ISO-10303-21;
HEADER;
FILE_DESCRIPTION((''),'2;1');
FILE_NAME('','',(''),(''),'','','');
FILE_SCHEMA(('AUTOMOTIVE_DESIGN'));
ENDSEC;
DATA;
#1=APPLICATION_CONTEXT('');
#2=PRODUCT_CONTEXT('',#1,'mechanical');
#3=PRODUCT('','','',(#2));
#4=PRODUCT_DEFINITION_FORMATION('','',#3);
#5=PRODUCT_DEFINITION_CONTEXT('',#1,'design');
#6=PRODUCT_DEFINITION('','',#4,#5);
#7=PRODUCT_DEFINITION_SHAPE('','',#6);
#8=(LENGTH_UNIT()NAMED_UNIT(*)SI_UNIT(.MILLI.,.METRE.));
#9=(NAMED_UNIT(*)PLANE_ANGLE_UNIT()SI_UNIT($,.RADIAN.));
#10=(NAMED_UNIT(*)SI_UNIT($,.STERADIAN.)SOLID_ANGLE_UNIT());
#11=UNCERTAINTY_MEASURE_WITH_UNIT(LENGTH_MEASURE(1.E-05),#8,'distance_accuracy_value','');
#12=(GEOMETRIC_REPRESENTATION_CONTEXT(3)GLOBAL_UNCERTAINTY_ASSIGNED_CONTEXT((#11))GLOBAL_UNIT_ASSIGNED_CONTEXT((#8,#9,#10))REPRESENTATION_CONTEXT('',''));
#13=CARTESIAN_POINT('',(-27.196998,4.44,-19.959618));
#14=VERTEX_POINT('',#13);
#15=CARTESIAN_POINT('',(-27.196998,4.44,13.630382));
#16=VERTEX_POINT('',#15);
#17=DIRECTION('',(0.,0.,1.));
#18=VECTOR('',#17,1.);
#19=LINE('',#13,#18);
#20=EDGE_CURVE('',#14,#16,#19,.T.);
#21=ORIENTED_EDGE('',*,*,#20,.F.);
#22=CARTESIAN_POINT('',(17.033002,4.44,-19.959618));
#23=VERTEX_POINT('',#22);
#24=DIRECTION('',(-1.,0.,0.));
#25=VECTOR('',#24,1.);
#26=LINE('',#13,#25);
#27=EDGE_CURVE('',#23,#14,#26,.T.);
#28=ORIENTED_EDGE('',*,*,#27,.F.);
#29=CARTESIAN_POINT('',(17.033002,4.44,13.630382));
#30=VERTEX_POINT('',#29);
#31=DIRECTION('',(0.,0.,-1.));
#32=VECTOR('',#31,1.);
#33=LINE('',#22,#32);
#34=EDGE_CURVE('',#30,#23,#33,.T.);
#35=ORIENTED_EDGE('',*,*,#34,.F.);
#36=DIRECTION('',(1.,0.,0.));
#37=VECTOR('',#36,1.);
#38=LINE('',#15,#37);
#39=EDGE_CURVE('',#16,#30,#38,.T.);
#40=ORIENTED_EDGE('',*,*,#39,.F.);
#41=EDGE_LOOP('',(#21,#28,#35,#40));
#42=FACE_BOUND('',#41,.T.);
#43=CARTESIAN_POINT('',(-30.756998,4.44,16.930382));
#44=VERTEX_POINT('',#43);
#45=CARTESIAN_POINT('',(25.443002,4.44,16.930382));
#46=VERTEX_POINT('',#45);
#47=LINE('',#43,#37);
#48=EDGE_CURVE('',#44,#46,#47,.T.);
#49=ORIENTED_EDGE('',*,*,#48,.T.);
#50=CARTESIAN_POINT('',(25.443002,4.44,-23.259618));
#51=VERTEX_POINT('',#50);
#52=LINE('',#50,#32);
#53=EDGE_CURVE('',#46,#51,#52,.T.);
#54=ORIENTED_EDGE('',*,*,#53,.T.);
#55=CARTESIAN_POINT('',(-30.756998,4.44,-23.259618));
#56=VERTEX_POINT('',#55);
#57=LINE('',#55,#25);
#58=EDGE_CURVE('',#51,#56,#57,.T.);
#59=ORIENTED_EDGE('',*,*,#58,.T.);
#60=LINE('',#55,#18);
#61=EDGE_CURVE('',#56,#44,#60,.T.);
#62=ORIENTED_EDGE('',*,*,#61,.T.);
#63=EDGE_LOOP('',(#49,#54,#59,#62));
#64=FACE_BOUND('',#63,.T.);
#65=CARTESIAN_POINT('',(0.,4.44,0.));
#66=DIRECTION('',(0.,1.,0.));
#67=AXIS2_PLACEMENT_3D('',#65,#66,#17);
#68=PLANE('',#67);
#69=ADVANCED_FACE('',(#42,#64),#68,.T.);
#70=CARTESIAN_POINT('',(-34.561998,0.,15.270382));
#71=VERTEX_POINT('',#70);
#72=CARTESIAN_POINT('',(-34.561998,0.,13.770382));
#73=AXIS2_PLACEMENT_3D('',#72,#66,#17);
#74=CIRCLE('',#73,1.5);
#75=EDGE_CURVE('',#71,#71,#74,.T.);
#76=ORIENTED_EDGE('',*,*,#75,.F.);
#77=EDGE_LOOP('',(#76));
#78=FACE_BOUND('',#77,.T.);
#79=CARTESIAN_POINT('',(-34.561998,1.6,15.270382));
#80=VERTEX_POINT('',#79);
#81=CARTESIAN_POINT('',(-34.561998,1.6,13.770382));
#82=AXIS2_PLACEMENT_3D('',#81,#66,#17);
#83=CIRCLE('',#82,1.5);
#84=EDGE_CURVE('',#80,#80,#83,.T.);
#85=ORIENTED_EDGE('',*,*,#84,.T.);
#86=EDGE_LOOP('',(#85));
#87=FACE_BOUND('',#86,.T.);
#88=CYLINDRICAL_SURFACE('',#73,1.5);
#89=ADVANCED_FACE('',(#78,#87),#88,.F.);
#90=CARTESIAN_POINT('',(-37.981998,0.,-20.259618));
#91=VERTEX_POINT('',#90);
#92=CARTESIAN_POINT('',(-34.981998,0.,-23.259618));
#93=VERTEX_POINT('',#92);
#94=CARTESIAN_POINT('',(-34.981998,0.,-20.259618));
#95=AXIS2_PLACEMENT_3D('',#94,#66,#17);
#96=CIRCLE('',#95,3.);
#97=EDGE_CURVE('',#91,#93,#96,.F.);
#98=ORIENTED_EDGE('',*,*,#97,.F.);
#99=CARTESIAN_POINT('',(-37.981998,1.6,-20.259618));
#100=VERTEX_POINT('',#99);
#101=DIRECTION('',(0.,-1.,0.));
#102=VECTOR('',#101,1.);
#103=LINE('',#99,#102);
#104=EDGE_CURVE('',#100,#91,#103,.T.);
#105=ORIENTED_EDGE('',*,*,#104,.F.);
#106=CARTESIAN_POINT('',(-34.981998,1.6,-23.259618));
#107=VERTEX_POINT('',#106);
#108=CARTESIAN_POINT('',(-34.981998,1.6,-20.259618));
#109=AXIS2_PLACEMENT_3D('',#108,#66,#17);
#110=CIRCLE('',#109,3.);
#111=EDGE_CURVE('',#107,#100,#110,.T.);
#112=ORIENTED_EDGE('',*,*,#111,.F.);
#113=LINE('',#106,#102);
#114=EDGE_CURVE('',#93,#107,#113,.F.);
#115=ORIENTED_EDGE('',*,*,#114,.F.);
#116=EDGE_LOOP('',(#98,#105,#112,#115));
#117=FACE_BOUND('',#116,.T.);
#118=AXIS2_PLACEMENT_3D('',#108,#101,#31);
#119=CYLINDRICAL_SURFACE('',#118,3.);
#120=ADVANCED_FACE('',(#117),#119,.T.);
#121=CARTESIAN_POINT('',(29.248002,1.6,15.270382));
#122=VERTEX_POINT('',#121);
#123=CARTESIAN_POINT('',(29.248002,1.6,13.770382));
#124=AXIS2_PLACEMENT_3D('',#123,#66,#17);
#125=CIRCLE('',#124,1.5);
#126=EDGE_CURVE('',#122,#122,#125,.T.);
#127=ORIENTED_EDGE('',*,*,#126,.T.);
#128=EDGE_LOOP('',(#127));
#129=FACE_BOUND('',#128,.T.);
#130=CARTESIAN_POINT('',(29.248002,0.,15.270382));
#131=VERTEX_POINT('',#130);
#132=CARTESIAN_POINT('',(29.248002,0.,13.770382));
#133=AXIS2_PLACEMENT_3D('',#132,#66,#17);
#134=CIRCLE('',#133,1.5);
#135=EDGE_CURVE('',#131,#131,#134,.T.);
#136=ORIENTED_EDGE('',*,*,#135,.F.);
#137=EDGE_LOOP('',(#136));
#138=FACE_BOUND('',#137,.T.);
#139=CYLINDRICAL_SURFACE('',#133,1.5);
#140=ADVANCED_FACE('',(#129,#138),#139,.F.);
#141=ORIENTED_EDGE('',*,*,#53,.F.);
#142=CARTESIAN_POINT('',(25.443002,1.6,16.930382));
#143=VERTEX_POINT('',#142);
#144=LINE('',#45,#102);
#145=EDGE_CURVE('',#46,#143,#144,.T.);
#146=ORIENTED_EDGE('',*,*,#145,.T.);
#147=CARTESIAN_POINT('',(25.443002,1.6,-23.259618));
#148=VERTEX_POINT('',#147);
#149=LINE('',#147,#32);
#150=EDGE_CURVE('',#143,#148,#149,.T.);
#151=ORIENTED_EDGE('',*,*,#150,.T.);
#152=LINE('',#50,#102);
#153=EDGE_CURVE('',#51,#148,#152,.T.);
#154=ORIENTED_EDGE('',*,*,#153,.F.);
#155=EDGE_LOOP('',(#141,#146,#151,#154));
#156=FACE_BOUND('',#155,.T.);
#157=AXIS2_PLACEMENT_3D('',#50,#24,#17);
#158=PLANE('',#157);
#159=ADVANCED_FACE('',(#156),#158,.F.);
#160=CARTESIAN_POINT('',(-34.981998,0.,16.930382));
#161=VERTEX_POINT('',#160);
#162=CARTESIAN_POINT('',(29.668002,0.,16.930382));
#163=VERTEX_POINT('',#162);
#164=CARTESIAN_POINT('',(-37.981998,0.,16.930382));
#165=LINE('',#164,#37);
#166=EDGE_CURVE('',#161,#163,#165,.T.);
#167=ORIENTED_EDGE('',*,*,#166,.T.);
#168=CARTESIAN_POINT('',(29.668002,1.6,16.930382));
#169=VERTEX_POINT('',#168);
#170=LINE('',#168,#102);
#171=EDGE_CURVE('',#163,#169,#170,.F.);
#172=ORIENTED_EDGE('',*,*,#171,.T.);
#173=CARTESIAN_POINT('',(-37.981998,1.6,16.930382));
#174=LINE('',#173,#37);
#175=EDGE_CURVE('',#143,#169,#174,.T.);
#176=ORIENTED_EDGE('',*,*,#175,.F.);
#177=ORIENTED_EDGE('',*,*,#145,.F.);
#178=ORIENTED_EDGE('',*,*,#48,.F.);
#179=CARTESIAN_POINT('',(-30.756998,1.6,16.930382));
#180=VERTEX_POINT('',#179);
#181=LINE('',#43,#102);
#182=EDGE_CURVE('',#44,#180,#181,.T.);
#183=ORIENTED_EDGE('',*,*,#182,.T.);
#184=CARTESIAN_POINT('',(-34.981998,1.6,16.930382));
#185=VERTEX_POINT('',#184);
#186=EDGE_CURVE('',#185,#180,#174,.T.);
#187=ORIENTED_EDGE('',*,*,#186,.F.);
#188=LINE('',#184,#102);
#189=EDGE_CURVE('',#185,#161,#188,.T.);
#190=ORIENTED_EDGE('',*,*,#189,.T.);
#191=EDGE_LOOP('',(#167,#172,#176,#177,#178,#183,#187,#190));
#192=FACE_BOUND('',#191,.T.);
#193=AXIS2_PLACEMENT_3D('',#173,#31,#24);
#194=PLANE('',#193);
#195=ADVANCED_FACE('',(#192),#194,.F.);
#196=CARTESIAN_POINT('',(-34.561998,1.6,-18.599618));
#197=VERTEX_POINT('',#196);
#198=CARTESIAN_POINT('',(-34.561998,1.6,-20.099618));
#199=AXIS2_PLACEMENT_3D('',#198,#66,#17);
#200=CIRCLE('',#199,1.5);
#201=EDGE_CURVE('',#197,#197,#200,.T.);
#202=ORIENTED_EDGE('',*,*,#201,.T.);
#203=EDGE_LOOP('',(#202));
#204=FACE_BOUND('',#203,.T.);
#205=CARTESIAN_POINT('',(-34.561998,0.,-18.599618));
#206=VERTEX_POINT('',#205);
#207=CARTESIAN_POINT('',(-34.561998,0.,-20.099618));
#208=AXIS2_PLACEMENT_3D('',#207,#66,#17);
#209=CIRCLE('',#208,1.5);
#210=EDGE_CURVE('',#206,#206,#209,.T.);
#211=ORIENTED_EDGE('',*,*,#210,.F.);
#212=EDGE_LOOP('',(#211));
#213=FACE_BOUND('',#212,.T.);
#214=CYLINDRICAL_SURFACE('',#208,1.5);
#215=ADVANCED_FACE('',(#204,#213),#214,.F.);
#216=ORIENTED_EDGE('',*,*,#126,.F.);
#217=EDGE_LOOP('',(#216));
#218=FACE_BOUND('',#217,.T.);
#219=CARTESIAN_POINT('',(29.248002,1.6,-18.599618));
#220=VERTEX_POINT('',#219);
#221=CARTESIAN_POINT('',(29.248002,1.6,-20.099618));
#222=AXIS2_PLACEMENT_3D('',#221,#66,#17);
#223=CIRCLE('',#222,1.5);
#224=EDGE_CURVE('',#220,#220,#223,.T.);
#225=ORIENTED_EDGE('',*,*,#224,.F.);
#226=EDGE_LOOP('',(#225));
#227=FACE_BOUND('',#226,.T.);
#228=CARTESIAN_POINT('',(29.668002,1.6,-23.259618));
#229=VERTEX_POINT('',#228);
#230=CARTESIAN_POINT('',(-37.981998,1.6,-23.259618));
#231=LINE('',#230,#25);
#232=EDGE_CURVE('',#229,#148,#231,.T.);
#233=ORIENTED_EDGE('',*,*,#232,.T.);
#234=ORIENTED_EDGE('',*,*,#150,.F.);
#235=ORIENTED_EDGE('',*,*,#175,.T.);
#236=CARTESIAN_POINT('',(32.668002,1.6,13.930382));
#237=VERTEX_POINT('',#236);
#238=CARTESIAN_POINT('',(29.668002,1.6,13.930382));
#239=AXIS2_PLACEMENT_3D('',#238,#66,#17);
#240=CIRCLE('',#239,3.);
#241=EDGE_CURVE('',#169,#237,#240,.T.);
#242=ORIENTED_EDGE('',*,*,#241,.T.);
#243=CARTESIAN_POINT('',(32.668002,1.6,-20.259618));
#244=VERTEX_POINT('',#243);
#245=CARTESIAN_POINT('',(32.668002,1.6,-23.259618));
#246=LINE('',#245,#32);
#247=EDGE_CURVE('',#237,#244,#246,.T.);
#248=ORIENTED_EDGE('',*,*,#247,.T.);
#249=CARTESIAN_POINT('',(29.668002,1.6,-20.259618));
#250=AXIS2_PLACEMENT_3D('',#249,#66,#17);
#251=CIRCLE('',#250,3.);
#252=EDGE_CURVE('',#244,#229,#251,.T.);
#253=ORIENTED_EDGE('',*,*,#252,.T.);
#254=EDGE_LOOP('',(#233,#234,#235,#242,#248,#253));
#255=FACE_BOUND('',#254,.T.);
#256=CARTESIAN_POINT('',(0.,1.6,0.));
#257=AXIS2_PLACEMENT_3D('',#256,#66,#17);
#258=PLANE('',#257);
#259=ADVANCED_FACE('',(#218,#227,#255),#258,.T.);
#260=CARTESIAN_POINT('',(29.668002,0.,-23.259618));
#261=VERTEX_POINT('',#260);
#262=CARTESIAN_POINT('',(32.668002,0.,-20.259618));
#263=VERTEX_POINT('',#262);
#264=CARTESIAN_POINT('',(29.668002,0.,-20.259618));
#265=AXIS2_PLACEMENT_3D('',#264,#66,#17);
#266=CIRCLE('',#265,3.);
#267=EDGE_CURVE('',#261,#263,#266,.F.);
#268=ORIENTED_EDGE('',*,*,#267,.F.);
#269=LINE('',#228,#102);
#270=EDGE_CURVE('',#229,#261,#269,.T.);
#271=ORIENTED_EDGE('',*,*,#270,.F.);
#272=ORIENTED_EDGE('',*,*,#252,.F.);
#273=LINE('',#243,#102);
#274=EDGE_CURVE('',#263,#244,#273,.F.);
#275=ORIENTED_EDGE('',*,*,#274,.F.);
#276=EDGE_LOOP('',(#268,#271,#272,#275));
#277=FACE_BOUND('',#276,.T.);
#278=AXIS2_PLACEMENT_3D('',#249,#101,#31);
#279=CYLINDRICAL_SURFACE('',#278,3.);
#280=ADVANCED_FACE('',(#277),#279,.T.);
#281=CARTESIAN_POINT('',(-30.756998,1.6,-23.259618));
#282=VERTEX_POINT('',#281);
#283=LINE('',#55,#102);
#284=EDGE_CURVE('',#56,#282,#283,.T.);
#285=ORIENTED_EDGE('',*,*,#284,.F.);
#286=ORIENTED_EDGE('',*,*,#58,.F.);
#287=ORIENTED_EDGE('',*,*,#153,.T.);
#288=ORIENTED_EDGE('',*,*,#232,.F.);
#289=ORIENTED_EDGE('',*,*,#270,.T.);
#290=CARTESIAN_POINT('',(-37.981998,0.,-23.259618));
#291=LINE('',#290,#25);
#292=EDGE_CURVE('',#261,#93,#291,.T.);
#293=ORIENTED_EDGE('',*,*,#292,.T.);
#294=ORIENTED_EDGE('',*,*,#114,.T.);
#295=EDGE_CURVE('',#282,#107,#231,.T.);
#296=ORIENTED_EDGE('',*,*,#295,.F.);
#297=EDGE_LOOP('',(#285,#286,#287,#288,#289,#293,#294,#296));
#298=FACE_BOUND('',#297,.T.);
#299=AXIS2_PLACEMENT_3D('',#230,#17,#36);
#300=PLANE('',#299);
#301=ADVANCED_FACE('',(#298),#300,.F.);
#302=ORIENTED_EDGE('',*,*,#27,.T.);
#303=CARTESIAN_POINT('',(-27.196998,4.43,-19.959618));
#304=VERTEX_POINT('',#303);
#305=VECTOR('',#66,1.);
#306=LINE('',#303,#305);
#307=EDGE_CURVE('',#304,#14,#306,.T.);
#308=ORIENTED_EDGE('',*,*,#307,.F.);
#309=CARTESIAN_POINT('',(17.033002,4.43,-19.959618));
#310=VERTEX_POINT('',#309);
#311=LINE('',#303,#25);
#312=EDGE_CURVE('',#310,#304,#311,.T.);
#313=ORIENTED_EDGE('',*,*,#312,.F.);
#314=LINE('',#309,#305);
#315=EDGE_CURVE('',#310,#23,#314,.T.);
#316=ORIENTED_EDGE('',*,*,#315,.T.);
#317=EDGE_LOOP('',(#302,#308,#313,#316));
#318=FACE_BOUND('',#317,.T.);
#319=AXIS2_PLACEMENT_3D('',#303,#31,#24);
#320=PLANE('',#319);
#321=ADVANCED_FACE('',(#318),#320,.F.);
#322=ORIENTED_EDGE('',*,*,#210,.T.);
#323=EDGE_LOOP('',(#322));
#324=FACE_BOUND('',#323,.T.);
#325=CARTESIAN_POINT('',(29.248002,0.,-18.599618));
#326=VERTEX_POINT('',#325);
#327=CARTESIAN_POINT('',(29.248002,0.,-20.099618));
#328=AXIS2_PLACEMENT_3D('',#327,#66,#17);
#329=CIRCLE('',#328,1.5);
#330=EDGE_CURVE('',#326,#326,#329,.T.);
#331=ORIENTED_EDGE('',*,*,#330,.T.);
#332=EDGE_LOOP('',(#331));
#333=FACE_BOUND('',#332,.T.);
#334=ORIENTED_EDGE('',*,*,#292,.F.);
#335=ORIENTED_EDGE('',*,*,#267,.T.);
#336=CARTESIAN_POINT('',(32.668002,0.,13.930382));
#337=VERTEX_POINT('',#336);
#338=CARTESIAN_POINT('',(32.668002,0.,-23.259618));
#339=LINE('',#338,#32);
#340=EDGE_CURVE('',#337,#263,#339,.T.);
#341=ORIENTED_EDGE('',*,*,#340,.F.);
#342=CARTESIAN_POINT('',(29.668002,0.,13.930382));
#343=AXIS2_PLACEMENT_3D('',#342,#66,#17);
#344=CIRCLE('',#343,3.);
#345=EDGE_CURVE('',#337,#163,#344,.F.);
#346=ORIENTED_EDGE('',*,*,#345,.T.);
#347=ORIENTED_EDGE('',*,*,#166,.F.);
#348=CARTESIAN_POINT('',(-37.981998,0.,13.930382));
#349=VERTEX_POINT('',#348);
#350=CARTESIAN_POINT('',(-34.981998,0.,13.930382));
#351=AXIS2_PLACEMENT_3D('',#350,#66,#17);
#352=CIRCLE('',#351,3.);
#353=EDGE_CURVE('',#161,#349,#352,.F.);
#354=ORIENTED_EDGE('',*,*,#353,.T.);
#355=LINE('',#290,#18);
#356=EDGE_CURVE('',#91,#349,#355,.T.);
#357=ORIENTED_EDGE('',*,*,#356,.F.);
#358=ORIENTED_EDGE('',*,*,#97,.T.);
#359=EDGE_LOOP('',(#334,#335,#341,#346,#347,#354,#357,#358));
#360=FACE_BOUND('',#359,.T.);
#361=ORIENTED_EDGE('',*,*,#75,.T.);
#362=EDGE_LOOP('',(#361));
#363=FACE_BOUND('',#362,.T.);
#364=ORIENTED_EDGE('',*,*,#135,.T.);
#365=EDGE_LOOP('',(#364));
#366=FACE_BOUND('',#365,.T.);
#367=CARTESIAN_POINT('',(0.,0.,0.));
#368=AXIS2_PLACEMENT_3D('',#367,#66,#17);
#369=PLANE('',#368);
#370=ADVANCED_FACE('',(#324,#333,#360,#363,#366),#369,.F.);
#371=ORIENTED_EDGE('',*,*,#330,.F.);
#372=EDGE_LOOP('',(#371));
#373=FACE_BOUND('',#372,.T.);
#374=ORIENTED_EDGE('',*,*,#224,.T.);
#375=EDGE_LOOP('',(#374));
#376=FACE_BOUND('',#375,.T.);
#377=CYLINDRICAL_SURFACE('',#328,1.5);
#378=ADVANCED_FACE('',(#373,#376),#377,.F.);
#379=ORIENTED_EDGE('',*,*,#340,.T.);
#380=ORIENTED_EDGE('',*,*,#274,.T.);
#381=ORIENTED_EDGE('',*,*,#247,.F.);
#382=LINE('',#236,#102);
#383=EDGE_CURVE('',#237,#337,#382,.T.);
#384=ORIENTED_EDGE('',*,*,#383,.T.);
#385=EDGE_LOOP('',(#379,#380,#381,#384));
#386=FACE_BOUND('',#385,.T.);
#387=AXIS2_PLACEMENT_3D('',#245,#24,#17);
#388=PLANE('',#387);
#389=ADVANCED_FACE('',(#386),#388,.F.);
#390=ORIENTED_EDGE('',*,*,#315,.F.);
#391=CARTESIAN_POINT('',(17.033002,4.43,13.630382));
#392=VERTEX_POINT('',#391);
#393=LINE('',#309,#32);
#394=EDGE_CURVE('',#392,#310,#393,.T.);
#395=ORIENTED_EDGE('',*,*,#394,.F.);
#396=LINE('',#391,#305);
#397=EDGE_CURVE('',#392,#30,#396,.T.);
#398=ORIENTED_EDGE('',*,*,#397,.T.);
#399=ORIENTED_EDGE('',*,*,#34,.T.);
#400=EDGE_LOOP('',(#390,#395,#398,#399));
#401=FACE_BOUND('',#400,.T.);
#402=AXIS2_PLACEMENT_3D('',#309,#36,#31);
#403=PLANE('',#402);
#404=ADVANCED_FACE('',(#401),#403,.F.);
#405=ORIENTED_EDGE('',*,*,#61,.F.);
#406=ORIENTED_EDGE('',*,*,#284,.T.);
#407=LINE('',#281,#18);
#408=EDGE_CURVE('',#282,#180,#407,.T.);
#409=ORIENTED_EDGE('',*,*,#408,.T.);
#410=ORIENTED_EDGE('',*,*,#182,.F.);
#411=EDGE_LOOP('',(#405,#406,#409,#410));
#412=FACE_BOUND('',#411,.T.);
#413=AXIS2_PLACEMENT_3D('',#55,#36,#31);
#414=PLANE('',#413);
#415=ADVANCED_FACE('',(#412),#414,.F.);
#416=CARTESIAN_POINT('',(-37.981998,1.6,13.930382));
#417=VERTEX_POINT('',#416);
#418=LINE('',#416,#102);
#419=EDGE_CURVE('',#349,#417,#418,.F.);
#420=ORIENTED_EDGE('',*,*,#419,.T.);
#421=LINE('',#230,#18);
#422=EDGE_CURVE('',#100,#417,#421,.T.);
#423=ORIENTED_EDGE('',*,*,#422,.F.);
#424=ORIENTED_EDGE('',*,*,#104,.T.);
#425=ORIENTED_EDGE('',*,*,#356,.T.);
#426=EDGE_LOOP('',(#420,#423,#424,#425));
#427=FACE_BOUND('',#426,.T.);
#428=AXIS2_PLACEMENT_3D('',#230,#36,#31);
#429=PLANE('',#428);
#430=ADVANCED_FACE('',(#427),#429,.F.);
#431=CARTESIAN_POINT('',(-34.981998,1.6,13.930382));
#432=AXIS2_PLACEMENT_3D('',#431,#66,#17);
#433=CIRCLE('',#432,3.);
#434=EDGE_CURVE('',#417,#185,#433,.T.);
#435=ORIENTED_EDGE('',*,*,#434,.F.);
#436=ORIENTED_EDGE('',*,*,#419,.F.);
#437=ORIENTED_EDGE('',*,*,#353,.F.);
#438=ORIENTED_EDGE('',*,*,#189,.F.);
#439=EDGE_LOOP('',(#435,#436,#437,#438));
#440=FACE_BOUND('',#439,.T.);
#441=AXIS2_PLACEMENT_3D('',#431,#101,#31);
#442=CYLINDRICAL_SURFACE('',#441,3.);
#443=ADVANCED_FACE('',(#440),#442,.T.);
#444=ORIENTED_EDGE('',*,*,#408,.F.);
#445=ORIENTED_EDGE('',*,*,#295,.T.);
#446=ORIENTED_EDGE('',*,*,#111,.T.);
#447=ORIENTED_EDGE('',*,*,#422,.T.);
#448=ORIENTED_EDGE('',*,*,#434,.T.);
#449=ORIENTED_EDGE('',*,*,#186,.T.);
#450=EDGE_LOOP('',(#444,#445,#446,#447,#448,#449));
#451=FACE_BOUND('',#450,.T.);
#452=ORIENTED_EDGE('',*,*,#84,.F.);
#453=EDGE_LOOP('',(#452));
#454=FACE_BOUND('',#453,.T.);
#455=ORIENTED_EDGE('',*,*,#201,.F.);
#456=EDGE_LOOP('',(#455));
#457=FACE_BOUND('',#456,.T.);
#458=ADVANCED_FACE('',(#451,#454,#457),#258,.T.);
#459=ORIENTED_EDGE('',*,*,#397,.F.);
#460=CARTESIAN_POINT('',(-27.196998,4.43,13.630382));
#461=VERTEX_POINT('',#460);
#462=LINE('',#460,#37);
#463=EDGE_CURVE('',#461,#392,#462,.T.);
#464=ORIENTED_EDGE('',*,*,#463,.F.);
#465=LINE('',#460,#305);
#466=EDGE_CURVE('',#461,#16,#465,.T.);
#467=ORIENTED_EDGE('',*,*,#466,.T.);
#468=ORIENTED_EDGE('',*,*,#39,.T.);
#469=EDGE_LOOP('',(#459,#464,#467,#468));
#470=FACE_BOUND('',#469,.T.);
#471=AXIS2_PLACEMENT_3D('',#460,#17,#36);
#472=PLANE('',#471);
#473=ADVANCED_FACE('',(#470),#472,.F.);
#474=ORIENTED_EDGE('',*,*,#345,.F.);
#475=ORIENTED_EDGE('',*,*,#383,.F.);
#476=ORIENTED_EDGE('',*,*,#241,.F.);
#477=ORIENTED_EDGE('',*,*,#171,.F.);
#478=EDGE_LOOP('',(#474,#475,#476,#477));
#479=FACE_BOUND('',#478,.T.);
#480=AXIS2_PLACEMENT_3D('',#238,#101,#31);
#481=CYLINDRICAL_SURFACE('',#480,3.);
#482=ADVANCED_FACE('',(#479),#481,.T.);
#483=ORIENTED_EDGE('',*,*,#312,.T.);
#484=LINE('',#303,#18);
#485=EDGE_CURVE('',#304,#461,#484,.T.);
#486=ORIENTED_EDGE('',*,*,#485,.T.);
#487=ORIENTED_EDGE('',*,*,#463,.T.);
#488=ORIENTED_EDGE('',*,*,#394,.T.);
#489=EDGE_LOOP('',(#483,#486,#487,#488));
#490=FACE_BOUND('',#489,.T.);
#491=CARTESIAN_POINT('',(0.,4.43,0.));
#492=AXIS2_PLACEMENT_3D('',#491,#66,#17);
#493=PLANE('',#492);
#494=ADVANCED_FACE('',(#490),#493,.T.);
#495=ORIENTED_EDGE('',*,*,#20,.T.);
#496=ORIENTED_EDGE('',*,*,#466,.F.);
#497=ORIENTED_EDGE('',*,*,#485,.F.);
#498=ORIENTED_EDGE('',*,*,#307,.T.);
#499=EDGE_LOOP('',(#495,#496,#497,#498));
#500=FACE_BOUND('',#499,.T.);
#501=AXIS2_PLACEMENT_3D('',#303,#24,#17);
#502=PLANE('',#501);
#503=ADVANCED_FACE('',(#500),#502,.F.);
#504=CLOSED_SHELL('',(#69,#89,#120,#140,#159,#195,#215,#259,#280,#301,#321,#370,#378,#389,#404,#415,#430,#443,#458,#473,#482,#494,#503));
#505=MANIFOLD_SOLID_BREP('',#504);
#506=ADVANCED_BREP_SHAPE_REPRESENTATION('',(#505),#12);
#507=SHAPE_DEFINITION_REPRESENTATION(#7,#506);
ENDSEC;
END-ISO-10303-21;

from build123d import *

# Parameters (mm, degrees)
SKETCH_1_W          = 70.65
SKETCH_1_H          = 40.19
EXTRUDE_1_DEPTH     = 1.6
FILLET_1_R          = 3
SKETCH_2_R          = 1.5
CUT_EXTRUDE_1_DEPTH = 1.6
SKETCH_3_W          = 56.2
SKETCH_3_H          = 40.19
EXTRUDE_2_DEPTH     = 2.84
SKETCH_4_W          = 44.23
SKETCH_4_H          = 33.59
CUT_EXTRUDE_2_DEPTH = 0.01


with BuildPart() as part:
    # 草圖1 → 填料-伸長1 (new body)
    with BuildSketch(Plane(origin=(0, 0, 0), x_dir=(1, 0, 0), z_dir=(0, 1, 0))):
        with Locations((-2.656997534, 3.164617756)):
            Rectangle(SKETCH_1_W, SKETCH_1_H)
    extrude(amount=EXTRUDE_1_DEPTH)

    # 圓角1
    fillet_1_edges = [part.edges().sort_by_distance(p)[0] for p in [
        (-37.981997534, 0.8, -23.259617756),
        (32.668002466, 0.8, -23.259617756),
        (32.668002466, 0.8, 16.930382244),
        (-37.981997534, 0.8, 16.930382244),
    ]]
    fillet(fillet_1_edges, radius=FILLET_1_R)

    # 草圖2 → 除料-伸長1 (cut)
    with BuildSketch(Plane(origin=(0, 1.6, 0), x_dir=(1, 0, 0), z_dir=(0, 1, 0))):
        with Locations(Location((-34.561997534, 20.099617756, 0), (0, 0, 270))):
            Circle(SKETCH_2_R)
        with Locations(Location((29.248002466, 20.099617756, 0), (0, 0, 270))):
            Circle(SKETCH_2_R)
        with Locations(Location((-34.561997534, -13.770382244, 0), (0, 0, 270))):
            Circle(SKETCH_2_R)
        with Locations(Location((29.248002466, -13.770382244, 0), (0, 0, 270))):
            Circle(SKETCH_2_R)
    extrude(amount=-CUT_EXTRUDE_1_DEPTH, mode=Mode.SUBTRACT)

    # 草圖3 → 填料-伸長2 (add)
    with BuildSketch(Plane(origin=(0, 1.6, 0), x_dir=(1, 0, 0), z_dir=(0, 1, 0))):
        with Locations((-2.656997534, 3.164617756)):
            Rectangle(SKETCH_3_W, SKETCH_3_H)
    extrude(amount=EXTRUDE_2_DEPTH)

    # 草圖4 → 除料-伸長2 (cut)
    with BuildSketch(Plane(origin=(0, 4.44, 0), x_dir=(1, 0, 0), z_dir=(0, 1, 0))):
        with Locations((-5.081997534, 3.164617756)):
            Rectangle(SKETCH_4_W, SKETCH_4_H)
    extrude(amount=-CUT_EXTRUDE_2_DEPTH, mode=Mode.SUBTRACT)


solid = part.part
